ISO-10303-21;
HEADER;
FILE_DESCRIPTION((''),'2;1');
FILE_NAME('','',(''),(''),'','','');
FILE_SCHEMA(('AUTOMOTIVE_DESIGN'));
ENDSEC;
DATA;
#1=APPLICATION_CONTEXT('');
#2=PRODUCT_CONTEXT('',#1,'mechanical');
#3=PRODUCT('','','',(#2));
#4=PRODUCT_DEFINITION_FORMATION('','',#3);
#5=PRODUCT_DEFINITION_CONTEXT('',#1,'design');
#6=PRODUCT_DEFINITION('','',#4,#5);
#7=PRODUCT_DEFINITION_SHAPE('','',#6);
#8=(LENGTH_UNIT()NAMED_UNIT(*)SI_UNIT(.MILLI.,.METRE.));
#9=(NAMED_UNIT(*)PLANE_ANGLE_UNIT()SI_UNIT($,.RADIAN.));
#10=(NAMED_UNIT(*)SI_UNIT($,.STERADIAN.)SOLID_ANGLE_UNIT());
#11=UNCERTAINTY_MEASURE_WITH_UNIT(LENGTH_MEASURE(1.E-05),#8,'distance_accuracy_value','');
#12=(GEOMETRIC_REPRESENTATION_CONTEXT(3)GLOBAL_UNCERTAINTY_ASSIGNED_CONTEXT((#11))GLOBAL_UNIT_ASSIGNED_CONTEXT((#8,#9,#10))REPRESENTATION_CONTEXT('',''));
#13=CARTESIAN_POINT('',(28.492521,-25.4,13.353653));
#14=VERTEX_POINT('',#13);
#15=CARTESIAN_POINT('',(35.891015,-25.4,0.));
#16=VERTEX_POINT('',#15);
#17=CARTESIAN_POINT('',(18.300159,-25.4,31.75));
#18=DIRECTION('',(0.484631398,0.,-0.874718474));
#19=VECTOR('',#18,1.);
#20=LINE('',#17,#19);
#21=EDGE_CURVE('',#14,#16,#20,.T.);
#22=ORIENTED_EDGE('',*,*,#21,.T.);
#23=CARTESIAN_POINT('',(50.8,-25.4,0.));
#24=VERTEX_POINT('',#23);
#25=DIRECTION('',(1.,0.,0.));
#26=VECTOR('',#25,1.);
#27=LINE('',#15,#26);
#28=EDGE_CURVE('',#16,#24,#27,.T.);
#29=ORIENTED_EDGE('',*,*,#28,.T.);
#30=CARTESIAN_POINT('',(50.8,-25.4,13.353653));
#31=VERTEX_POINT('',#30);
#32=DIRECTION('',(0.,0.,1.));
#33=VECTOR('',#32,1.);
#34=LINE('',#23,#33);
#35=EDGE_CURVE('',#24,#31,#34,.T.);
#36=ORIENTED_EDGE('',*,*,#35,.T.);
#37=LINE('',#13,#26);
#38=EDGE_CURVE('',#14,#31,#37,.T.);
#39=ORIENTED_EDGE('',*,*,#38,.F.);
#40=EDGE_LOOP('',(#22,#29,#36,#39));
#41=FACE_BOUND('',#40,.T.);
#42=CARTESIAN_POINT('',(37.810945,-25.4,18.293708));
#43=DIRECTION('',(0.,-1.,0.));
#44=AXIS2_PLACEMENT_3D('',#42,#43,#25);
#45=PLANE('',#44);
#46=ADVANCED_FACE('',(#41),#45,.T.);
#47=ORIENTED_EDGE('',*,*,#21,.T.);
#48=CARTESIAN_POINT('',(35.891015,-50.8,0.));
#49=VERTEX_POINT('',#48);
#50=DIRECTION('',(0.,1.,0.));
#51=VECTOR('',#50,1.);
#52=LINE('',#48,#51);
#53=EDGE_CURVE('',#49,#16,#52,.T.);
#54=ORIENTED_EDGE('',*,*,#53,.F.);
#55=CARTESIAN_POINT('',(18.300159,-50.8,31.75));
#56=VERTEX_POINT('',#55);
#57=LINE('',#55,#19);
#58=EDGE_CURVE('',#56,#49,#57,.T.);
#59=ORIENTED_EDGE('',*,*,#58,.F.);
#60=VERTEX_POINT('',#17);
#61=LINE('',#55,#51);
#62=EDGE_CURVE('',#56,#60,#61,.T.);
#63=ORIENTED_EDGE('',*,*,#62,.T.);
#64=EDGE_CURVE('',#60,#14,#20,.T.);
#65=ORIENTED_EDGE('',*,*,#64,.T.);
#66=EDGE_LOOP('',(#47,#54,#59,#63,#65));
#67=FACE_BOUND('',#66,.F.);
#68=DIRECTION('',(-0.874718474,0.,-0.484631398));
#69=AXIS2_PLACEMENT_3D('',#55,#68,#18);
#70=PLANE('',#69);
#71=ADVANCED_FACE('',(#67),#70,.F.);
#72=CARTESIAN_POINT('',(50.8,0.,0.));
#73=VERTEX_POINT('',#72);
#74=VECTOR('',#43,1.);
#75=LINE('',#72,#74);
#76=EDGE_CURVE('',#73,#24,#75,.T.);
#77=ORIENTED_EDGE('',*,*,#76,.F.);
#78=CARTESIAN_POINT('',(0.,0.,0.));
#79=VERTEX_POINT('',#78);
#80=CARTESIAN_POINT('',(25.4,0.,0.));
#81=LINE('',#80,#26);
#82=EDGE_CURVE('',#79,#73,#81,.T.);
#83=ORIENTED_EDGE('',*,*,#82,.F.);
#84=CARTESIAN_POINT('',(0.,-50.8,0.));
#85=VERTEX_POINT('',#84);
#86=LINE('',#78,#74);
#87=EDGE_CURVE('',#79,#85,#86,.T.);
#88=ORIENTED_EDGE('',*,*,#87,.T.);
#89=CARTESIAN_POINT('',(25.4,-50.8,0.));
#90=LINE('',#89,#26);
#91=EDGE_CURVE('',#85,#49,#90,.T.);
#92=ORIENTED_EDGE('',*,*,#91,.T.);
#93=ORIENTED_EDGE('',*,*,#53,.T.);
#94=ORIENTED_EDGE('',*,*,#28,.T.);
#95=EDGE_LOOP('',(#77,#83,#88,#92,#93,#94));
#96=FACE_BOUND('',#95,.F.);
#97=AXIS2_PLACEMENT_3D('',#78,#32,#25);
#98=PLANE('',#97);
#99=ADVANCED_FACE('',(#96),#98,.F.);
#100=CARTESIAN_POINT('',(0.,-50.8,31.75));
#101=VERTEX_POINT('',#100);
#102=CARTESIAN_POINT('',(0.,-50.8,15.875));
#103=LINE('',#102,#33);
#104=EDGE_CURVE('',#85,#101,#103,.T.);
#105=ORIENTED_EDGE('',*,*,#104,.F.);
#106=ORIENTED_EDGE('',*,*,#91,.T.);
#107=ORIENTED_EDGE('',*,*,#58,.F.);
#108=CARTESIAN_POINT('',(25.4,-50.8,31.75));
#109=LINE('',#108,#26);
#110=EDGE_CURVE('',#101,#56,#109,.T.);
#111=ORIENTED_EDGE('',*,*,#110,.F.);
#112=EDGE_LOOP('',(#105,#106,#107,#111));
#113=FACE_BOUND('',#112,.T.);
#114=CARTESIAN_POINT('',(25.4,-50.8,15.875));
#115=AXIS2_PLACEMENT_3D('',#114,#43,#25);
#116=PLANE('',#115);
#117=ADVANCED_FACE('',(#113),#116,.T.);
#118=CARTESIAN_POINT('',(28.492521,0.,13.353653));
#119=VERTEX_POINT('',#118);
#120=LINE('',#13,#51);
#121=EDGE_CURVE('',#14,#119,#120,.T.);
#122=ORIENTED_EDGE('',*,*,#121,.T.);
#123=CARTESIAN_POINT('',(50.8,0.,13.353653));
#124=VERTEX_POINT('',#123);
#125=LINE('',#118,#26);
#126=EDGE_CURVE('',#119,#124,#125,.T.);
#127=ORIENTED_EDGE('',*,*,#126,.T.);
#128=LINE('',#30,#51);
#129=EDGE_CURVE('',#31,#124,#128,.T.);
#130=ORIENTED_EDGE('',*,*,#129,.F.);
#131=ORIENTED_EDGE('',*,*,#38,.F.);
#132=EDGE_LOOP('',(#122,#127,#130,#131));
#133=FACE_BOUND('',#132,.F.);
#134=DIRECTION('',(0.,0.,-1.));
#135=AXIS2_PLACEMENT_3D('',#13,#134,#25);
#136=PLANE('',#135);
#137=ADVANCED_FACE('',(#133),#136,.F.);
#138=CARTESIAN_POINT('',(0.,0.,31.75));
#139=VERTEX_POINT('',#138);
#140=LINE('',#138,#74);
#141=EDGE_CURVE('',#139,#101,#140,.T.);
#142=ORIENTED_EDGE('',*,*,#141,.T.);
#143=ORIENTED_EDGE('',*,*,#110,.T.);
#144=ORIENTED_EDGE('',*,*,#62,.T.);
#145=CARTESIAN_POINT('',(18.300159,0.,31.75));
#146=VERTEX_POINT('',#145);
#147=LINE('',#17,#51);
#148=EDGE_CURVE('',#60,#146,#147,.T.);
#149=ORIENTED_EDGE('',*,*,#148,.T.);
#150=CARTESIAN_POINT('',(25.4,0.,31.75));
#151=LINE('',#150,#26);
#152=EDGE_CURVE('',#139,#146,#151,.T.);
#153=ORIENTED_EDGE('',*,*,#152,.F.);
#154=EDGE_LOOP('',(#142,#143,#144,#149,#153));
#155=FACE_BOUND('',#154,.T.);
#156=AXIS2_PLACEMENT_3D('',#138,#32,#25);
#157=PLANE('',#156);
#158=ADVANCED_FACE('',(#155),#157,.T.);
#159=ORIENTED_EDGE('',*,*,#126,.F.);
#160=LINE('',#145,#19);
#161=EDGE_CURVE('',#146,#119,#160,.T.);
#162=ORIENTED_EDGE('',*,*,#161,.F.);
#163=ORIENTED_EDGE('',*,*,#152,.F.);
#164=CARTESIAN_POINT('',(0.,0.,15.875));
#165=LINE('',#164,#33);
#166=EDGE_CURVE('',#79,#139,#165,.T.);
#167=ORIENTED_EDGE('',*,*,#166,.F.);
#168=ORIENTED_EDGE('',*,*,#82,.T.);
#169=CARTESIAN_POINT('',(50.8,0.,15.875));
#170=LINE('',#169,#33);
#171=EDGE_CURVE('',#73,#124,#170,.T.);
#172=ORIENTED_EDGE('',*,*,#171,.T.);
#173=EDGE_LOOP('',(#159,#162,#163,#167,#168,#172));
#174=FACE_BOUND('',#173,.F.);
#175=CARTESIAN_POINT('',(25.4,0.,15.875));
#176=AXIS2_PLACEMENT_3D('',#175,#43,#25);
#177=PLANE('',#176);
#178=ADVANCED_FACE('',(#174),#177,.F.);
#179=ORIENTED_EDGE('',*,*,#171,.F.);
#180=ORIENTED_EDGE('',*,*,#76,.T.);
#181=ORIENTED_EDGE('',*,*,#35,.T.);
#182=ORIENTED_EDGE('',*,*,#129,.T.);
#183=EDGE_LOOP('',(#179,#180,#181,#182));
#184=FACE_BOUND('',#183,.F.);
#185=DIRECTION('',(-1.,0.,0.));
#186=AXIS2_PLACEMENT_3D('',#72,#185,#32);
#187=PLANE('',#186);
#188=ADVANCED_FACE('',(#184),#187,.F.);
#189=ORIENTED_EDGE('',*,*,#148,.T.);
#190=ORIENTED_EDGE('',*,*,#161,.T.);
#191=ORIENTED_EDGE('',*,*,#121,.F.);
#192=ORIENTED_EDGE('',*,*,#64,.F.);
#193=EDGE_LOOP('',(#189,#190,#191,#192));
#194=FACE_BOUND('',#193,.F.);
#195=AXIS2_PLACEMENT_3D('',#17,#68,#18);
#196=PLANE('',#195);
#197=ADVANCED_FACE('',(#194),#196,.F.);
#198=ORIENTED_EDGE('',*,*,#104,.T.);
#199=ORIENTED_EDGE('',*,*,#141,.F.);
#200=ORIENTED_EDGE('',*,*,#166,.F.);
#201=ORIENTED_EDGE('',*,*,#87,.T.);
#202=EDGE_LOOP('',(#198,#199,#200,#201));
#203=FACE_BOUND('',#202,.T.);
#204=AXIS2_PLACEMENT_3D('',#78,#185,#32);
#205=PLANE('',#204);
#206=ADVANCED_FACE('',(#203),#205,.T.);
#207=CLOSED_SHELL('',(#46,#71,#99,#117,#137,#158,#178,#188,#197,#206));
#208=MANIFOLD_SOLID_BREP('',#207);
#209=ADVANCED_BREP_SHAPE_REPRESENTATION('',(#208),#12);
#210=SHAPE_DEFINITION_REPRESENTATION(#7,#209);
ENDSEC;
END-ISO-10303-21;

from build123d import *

# Parameters (mm, degrees)
F0_W     = 50.8
F0_H     = 31.75
F1_DEPTH = 50.8
F3_DEPTH = 25.4
F5_DEPTH = 25.4


with BuildPart() as f1:
    # F0 (on Front) → F1 (new body)
    with BuildSketch(Plane.XZ):
        with Locations((25.4, 15.875)):
            Rectangle(F0_W, F0_H)
    extrude(amount=F1_DEPTH)

    # F2 (on face) → F3 (cut)
    with BuildSketch(Plane.XZ.offset(50.8)):
        Polygon((50.8, 31.75), (18.300158903, 31.75), (35.8910150826, 0), (50.8, 0), align=None)
    extrude(amount=-F3_DEPTH, mode=Mode.SUBTRACT)

    # F4 (on face) → F5 (cut)
    with BuildSketch(Plane.XZ.offset(25.4)):
        Polygon((18.300158903, 31.75), (28.4925211666, 13.3536525702), (50.8, 13.3536525702), (50.8, 31.75), align=None)
    extrude(amount=-F5_DEPTH, mode=Mode.SUBTRACT)


solid = f1.part
